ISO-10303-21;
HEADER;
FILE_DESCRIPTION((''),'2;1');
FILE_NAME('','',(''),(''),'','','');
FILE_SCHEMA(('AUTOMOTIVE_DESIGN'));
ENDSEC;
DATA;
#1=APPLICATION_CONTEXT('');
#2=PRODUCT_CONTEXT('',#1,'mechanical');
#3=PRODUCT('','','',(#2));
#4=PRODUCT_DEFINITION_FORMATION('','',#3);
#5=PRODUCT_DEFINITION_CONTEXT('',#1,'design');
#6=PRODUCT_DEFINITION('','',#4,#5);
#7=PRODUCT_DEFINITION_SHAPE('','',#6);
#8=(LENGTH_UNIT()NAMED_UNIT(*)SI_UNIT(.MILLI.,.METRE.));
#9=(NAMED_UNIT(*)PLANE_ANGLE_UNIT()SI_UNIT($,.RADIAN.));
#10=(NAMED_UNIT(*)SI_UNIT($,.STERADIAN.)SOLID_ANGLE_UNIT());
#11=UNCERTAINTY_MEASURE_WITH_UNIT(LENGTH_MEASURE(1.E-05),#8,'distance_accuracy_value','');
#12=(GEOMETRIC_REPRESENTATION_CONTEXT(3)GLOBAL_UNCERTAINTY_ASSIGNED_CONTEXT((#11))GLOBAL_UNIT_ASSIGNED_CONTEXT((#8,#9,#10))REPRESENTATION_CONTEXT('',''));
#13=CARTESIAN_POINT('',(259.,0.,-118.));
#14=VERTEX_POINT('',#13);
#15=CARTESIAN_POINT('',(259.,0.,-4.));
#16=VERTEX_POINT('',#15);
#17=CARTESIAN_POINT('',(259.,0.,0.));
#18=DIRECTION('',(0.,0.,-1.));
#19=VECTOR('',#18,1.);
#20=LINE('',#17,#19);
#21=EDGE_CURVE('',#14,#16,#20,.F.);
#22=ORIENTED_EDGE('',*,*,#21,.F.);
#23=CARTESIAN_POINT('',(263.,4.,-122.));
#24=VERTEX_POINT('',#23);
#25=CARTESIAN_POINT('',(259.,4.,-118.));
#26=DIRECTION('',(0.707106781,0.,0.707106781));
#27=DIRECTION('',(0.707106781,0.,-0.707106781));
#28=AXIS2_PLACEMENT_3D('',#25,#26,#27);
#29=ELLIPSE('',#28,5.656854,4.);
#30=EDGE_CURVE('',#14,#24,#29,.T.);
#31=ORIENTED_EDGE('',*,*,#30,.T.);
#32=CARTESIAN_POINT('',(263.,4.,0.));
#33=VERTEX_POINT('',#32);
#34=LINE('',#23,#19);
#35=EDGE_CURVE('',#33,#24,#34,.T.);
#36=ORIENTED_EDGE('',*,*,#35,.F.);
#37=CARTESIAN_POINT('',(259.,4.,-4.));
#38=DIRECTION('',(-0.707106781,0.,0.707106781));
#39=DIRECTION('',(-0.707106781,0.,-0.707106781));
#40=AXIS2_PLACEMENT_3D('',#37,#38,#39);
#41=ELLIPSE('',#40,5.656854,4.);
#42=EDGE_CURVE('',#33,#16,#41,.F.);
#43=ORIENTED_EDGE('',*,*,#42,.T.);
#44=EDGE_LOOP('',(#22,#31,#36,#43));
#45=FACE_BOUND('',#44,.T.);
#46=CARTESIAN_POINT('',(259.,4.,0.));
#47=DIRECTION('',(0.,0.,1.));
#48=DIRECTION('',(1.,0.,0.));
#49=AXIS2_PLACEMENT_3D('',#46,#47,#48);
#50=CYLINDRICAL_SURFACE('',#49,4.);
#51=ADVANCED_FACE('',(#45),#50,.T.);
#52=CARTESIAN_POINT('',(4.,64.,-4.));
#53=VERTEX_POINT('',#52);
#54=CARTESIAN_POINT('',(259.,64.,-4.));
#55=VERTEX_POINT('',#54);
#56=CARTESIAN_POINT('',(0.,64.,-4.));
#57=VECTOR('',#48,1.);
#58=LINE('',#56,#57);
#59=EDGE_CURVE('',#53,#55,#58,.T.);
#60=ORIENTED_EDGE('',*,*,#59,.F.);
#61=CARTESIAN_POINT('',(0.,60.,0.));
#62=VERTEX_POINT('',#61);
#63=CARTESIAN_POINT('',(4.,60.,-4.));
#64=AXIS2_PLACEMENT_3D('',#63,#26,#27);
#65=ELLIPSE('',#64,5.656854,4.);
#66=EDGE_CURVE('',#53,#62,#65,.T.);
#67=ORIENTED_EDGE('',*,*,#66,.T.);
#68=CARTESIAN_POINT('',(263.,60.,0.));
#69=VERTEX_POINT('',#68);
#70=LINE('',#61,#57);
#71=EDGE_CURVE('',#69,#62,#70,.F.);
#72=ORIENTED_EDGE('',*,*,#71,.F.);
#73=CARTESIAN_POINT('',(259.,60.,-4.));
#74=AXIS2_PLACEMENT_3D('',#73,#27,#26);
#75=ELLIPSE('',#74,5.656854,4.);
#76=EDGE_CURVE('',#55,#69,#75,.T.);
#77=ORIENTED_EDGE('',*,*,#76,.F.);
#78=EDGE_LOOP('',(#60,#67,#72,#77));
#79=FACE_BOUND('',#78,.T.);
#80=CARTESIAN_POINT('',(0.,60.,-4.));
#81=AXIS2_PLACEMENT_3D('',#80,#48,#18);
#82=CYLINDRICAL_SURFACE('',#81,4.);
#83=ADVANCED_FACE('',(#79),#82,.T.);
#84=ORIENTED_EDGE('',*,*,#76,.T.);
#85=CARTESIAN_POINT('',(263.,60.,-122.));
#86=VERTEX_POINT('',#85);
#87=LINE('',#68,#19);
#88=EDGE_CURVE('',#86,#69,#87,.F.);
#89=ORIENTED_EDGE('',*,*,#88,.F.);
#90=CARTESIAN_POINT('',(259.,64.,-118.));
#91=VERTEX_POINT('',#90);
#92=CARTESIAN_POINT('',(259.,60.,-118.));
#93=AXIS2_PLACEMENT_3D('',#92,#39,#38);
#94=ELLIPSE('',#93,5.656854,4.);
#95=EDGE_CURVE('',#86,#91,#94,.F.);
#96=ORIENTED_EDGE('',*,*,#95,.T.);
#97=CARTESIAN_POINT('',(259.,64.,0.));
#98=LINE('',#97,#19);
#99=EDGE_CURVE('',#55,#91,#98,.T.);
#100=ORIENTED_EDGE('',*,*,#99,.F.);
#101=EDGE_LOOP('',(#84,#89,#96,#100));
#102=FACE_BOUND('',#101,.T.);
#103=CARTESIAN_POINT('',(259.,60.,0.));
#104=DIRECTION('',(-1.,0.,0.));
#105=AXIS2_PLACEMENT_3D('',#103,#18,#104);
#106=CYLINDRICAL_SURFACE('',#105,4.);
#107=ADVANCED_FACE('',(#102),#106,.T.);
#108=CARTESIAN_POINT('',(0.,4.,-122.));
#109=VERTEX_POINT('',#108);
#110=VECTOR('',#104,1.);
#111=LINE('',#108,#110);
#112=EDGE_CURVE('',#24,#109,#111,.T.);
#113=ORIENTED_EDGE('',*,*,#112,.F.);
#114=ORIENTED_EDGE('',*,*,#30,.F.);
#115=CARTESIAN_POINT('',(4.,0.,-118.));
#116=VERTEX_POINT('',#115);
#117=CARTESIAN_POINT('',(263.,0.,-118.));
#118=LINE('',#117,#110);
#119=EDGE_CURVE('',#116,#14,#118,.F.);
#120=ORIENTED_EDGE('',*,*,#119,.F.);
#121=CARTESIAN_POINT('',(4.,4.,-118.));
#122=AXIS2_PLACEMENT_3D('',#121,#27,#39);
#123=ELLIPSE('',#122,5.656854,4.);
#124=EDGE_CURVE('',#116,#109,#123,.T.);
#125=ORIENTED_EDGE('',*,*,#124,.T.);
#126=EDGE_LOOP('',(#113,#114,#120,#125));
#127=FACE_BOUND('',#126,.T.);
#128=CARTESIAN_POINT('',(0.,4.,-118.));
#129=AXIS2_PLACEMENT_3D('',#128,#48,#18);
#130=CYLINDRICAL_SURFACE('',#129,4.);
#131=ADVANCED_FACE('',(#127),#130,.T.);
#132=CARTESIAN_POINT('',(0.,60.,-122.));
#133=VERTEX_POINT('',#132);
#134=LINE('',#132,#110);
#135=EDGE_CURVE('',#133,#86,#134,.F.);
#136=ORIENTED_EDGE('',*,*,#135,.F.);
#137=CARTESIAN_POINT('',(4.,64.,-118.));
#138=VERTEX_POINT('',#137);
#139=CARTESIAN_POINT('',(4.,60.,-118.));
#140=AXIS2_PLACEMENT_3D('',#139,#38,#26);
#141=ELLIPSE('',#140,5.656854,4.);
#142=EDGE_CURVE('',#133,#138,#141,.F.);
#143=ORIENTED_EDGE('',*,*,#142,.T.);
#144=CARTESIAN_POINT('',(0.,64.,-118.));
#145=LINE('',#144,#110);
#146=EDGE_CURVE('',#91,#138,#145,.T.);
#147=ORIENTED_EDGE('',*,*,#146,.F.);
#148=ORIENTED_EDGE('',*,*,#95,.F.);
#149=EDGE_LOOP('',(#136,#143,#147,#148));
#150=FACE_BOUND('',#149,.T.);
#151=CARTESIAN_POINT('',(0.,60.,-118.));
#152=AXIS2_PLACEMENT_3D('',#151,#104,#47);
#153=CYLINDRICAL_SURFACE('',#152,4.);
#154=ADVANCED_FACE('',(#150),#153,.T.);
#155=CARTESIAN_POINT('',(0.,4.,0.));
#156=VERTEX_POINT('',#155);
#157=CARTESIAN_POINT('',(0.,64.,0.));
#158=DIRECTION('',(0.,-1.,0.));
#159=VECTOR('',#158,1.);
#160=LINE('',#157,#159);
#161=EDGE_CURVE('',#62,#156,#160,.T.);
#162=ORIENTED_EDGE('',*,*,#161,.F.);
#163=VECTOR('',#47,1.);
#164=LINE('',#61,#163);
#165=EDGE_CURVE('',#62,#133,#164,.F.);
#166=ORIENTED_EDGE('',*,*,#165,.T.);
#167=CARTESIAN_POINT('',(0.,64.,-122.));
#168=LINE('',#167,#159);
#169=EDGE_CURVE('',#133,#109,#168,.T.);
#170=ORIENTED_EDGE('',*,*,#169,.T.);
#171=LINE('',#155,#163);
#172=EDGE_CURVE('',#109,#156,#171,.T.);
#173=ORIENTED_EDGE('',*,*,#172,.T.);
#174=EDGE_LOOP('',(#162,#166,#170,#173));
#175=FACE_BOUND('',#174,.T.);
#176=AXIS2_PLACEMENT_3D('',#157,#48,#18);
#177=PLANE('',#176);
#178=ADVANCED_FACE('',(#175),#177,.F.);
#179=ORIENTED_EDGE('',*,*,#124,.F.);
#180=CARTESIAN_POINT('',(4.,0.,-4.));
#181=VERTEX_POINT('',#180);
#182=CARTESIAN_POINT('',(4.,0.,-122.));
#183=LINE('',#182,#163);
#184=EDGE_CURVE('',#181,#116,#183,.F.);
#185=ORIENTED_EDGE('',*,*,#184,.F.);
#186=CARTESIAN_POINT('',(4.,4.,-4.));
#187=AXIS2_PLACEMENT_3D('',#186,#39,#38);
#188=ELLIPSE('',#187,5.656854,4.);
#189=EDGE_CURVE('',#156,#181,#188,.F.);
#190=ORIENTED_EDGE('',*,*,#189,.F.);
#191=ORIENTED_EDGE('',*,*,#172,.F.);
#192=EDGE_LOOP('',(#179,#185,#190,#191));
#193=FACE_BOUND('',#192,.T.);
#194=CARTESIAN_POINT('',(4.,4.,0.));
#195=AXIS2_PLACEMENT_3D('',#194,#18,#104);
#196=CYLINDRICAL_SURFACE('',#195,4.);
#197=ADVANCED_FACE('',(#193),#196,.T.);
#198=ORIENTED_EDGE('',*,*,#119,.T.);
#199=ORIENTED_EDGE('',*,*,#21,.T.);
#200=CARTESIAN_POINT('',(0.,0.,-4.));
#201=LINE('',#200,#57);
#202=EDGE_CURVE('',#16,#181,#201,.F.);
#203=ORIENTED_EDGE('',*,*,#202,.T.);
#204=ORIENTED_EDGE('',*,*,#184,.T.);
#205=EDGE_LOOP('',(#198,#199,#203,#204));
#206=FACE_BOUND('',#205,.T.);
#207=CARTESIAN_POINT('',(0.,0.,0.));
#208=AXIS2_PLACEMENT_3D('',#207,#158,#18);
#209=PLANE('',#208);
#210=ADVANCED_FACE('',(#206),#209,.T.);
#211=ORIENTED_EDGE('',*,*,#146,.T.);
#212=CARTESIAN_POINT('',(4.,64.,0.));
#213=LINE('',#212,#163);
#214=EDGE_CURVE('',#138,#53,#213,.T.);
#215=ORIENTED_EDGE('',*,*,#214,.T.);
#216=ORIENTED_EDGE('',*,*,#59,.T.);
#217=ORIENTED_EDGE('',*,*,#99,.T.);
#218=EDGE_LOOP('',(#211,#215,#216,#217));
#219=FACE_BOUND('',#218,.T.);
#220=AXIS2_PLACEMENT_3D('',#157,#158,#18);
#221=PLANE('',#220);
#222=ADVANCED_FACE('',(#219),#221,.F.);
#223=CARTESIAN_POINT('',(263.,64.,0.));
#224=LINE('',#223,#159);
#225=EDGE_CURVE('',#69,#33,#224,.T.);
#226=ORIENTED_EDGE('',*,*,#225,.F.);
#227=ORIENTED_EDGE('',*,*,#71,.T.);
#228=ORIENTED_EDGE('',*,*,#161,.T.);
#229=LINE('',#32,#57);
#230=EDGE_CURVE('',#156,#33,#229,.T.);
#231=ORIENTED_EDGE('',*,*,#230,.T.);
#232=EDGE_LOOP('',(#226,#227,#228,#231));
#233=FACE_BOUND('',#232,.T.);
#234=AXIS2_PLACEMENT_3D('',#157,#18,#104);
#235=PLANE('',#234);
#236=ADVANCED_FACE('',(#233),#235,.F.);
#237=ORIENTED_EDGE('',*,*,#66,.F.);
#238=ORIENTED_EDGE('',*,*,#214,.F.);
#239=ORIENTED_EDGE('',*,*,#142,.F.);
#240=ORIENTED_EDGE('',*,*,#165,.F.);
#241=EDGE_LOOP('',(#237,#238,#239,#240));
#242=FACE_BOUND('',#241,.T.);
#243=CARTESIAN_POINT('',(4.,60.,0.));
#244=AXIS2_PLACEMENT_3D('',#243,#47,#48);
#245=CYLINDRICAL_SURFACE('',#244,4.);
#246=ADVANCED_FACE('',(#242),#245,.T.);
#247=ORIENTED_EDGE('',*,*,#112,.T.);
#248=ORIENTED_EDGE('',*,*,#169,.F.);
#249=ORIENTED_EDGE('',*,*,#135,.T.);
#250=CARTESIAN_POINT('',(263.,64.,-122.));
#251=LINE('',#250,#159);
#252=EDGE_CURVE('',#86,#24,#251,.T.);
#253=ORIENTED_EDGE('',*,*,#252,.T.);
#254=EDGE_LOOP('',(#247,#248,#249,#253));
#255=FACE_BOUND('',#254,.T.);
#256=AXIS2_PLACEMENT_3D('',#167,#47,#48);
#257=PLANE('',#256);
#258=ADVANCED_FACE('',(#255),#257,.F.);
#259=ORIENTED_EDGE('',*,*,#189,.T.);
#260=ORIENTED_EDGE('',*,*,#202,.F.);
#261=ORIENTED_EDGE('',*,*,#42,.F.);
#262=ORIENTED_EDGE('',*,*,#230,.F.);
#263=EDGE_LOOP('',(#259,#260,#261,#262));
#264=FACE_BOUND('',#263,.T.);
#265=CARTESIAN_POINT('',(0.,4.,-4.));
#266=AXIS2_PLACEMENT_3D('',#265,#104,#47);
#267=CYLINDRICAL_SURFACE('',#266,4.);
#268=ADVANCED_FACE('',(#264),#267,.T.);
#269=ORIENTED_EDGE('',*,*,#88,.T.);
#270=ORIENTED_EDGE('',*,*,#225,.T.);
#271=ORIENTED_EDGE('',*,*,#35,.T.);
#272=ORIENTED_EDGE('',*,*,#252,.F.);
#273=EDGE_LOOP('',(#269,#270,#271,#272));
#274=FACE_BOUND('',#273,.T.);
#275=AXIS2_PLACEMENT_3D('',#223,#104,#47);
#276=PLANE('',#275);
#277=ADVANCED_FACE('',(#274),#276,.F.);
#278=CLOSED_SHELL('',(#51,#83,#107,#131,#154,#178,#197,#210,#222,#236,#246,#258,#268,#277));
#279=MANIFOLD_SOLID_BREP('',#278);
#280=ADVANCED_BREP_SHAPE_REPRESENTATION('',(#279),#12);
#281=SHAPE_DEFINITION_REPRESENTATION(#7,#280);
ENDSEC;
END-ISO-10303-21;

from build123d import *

# Parameters (mm, degrees)
SKETCH1_W           = 263
SKETCH1_H           = 122
BOSS_EXTRUDE1_DEPTH = 64
FILLET1_R           = 4


with BuildPart() as part:
    # Sketch1 → Boss-Extrude1 (new body)
    with BuildSketch(Plane(origin=(0, 0, 0), x_dir=(1, 0, 0), z_dir=(0, 1, 0))):
        with Locations((131.5, 61)):
            Rectangle(SKETCH1_W, SKETCH1_H)
    extrude(amount=BOSS_EXTRUDE1_DEPTH)

    # Fillet1
    fillet1_edges = [part.edges().sort_by_distance(p)[0] for p in [
        (263, 64, -61),
        (131.5, 64, -122),
        (0, 64, -61),
        (131.5, 0, -122),
        (263, 0, -61),
        (131.5, 0, 0),
        (0, 0, -61),
        (131.5, 64, 0),
    ]]
    fillet(fillet1_edges, radius=FILLET1_R)


solid = part.part
